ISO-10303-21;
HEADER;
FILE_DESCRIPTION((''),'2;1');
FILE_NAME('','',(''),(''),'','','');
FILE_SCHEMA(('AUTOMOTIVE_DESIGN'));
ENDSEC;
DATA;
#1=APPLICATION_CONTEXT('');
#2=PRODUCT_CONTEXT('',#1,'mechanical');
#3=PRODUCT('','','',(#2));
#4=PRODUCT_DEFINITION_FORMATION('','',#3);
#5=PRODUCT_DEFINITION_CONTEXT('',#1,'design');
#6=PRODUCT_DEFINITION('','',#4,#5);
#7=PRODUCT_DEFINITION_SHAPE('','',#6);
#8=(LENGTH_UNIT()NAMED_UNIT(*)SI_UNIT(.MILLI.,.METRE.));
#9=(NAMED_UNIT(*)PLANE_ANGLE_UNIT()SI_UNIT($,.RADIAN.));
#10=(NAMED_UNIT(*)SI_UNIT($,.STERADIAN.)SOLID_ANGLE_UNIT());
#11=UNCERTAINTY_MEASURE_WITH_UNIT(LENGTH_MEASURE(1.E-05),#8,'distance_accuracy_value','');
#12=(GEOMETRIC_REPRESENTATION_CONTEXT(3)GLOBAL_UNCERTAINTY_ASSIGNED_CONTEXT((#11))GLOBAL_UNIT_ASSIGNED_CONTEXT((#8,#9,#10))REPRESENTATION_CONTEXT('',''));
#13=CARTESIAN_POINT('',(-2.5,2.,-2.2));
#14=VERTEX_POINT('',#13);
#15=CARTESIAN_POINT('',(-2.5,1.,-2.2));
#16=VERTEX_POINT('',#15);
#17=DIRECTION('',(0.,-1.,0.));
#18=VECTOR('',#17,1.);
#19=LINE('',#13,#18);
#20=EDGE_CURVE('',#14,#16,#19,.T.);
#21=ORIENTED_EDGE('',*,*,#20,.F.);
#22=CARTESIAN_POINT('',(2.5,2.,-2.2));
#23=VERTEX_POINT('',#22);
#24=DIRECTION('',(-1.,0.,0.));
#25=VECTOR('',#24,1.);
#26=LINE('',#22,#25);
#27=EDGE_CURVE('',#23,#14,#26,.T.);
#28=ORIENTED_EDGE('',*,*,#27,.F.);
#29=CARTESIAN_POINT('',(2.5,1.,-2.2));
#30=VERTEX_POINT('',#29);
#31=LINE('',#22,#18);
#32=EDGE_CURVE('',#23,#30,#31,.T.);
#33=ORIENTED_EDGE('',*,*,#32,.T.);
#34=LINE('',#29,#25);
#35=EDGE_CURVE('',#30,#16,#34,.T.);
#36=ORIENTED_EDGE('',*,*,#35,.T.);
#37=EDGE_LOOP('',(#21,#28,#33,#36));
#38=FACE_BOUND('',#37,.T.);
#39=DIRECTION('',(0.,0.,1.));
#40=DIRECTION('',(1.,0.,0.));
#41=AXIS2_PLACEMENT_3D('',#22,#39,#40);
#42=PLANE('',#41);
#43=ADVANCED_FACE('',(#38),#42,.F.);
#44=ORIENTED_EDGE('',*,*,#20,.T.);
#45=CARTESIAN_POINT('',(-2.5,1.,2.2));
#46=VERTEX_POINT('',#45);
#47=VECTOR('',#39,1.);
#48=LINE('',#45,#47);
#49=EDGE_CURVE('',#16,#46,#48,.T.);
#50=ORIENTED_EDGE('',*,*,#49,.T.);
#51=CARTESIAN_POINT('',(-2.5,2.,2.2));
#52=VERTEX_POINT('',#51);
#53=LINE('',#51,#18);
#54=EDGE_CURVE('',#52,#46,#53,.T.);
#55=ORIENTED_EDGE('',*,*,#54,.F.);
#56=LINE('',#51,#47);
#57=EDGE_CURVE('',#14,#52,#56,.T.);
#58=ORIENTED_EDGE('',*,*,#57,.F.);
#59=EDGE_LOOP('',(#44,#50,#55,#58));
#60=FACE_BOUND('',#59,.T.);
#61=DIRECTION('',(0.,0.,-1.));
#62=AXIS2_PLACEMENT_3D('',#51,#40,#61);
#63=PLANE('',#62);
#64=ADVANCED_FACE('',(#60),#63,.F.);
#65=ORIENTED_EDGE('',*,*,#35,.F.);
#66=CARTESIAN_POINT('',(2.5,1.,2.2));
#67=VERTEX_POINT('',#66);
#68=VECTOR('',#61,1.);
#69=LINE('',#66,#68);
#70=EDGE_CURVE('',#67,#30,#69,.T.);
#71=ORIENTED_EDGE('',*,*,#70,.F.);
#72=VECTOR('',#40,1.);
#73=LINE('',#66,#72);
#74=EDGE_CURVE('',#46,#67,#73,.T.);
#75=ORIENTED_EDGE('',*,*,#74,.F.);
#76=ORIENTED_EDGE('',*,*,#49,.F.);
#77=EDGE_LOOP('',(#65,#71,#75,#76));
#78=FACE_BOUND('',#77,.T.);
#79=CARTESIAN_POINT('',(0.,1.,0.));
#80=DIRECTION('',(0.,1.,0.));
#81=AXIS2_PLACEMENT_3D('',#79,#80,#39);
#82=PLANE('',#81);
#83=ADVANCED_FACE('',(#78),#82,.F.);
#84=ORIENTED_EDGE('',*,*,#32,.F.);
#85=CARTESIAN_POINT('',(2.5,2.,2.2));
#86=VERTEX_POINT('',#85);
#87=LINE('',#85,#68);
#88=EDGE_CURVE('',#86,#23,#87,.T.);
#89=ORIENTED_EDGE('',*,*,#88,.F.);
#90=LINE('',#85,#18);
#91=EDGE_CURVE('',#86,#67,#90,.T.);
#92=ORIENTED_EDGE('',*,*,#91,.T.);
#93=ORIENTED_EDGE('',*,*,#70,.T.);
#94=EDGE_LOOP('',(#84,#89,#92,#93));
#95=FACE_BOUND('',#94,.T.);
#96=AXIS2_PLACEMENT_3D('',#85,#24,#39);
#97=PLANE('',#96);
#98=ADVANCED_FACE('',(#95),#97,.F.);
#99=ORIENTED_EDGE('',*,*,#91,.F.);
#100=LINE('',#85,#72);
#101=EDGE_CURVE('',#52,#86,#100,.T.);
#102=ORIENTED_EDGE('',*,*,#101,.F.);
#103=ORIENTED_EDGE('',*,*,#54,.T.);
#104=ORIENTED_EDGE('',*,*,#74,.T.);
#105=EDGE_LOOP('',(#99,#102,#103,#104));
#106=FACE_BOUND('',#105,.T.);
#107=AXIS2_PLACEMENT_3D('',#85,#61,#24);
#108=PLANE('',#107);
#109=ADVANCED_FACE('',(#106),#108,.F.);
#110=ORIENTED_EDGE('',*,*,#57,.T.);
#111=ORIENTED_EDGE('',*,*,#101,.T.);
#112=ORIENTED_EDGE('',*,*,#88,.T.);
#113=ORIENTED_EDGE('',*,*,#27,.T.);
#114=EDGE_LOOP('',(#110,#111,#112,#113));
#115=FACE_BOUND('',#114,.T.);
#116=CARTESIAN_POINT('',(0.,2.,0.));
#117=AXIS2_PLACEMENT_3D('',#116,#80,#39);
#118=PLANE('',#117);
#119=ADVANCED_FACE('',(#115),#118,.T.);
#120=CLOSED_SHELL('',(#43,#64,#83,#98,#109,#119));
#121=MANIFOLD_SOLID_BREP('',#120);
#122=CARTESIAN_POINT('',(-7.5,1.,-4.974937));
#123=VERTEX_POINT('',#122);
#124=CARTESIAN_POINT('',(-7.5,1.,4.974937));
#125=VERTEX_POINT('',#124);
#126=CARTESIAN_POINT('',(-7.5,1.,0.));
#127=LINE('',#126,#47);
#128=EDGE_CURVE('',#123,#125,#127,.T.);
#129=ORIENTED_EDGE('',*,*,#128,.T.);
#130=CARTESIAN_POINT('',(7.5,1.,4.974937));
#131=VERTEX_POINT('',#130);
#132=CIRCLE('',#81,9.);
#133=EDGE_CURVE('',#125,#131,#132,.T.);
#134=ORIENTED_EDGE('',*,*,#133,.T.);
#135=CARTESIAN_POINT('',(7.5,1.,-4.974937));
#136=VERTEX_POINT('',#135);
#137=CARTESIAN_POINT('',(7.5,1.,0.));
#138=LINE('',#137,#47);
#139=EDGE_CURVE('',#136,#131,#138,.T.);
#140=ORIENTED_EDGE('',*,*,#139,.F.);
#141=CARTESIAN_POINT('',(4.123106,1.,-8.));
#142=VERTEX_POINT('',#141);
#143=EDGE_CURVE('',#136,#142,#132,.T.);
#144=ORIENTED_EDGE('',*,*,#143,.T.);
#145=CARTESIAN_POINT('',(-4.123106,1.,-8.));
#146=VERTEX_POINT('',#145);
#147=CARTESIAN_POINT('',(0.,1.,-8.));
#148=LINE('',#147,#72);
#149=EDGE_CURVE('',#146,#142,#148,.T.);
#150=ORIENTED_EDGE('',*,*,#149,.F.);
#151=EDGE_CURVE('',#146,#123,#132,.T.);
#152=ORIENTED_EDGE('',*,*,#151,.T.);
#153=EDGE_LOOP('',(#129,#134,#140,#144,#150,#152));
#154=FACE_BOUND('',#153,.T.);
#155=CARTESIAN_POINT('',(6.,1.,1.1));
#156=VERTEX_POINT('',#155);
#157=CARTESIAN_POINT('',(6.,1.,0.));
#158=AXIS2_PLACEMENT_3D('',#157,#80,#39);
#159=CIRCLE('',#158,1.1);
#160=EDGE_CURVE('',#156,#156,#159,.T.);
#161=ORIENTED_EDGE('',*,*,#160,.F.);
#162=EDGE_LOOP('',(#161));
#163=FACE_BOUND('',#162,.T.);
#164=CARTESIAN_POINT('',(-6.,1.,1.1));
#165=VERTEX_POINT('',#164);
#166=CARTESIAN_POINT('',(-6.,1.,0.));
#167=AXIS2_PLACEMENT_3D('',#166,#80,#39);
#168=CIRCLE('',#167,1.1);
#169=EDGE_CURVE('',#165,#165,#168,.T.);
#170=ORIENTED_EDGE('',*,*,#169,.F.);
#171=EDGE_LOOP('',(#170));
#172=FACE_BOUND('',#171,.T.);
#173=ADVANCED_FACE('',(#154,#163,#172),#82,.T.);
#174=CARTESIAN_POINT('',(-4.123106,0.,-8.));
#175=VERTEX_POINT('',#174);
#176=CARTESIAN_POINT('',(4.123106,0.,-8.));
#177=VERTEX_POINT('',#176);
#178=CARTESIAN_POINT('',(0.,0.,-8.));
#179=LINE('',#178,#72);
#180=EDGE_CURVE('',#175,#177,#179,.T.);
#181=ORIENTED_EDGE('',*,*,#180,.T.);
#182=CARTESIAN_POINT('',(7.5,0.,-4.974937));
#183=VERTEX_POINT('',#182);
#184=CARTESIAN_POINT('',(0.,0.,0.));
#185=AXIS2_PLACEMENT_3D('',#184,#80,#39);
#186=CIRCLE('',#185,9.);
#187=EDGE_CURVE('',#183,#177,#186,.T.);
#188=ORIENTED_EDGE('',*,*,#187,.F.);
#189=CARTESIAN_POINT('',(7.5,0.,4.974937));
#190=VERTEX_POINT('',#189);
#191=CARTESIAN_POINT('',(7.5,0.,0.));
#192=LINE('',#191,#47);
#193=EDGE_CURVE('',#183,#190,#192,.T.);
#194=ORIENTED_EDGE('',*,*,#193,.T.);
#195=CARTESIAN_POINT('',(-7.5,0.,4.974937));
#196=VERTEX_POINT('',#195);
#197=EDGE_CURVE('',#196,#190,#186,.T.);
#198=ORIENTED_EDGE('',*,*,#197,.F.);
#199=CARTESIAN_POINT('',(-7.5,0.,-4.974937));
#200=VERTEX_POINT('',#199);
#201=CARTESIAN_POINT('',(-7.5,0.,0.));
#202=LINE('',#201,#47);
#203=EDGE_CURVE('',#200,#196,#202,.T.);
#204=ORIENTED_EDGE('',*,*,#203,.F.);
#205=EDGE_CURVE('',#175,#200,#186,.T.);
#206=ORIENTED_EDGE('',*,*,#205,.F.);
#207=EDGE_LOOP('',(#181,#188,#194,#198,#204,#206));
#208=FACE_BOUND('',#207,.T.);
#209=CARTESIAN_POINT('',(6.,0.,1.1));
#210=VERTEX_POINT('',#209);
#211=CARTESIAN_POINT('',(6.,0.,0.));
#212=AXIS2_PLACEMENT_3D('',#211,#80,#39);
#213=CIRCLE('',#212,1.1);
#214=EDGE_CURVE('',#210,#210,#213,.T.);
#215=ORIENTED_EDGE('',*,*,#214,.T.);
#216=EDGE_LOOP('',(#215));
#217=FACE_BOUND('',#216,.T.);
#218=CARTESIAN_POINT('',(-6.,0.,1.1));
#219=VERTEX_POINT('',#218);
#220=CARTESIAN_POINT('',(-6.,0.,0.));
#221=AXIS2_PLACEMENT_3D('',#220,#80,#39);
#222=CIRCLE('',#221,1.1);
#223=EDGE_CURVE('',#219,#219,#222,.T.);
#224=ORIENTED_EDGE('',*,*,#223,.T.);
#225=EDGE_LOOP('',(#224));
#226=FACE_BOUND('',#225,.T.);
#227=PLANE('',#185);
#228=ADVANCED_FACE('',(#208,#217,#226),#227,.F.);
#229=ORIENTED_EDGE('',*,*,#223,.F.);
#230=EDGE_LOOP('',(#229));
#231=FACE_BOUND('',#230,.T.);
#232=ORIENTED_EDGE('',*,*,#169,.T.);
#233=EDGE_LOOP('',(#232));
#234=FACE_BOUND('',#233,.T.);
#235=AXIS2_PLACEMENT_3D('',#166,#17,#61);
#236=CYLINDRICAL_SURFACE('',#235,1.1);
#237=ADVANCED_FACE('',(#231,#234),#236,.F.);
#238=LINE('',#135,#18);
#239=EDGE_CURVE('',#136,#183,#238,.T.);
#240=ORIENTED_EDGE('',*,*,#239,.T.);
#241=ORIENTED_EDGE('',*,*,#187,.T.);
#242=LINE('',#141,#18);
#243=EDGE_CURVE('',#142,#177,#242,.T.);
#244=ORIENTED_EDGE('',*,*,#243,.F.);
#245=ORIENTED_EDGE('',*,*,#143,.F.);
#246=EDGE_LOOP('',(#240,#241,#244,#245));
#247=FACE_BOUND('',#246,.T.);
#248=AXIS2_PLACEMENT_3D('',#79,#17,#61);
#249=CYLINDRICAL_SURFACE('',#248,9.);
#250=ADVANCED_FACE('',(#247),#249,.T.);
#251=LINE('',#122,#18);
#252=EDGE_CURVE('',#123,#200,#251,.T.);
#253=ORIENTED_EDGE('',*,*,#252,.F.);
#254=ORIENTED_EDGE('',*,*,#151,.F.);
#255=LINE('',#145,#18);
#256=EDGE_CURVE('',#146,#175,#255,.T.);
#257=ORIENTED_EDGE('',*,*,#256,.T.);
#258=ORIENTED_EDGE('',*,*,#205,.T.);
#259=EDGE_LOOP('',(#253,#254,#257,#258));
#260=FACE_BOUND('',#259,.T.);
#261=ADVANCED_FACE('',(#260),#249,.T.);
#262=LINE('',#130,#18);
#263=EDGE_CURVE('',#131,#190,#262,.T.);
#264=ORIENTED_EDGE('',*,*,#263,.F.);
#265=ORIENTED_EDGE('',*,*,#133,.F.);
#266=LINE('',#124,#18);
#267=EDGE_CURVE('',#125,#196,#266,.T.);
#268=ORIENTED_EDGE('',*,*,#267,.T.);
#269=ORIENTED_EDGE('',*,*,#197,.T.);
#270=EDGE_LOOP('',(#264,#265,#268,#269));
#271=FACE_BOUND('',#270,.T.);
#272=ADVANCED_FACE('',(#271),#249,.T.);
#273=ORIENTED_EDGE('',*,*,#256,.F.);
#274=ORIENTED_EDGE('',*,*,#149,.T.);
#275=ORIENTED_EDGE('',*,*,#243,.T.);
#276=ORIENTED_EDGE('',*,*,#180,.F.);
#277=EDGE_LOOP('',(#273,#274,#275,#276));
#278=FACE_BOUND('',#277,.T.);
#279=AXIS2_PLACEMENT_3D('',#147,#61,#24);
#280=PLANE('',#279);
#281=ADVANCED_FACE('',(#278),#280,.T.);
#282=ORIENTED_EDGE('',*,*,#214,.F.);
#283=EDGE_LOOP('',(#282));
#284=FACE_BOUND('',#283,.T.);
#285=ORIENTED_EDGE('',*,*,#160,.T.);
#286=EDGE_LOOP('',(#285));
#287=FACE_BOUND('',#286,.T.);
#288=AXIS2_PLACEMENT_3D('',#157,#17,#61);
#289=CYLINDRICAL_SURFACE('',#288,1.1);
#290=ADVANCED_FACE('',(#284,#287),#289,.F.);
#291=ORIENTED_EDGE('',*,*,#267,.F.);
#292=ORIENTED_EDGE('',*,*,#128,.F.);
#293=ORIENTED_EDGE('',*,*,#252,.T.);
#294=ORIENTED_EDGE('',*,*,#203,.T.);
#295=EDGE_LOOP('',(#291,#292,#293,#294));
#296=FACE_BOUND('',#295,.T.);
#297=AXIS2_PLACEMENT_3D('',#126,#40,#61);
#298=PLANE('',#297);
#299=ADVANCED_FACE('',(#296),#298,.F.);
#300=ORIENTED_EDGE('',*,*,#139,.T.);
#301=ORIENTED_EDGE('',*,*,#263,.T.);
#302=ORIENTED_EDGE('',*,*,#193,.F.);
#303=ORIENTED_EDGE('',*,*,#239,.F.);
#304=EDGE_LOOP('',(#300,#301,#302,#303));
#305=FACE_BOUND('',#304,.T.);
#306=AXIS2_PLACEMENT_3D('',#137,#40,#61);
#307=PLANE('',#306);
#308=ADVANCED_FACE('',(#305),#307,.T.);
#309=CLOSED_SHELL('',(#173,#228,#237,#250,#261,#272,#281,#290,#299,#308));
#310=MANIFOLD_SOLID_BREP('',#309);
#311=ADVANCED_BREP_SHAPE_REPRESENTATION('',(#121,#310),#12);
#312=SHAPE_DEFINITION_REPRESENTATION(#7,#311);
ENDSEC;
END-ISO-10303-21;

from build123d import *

# Parameters (mm, degrees)
SKETCH_1_R      = 1.1
EXTRUDE_1_DEPTH = 1
EXTRUDE_START   = 1
SKETCH_3_W      = 5
SKETCH_3_H      = 4.4
EXTRUDE_2_DEPTH = 1


with BuildPart() as part:
    # Эскиз1 → Бобышка-Вытянуть1 (new body)
    with BuildSketch(Plane(origin=(0, 0, 0), x_dir=(1, 0, 0), z_dir=(0, 1, 0))):
        with BuildLine():
            Line((4.123105626, 8), (-4.123105626, 8))
            ThreePointArc((-4.123105626, 8), (-6.005155898, 6.703588789), (-7.5, 4.974937186))
            Line((-7.5, 4.974937186), (-7.5, -4.974937186))
            ThreePointArc((-7.5, -4.974937186), (0, -9), (7.5, -4.974937186))
            Line((7.5, -4.974937186), (7.5, 4.974937186))
            ThreePointArc((7.5, 4.974937186), (6.005155898, 6.703588789), (4.123105626, 8))
        make_face()
        with Locations(Location((-6, 0, 0), (0, 0, 270))):
            Circle(SKETCH_1_R, mode=Mode.SUBTRACT)
        with Locations(Location((6, 0, 0), (0, 0, 270))):
            Circle(SKETCH_1_R, mode=Mode.SUBTRACT)
    extrude(amount=EXTRUDE_1_DEPTH)


with BuildPart() as body_2:
    # Эскиз3 → Бобышка-Вытянуть2 (new body)
    with BuildSketch(Plane(origin=(0, 0, 0), x_dir=(1, 0, 0), z_dir=(0, 1, 0)).offset(EXTRUDE_START)):
        Rectangle(SKETCH_3_W, SKETCH_3_H)
    extrude(amount=EXTRUDE_2_DEPTH)


solid = Compound([part.part, body_2.part])
